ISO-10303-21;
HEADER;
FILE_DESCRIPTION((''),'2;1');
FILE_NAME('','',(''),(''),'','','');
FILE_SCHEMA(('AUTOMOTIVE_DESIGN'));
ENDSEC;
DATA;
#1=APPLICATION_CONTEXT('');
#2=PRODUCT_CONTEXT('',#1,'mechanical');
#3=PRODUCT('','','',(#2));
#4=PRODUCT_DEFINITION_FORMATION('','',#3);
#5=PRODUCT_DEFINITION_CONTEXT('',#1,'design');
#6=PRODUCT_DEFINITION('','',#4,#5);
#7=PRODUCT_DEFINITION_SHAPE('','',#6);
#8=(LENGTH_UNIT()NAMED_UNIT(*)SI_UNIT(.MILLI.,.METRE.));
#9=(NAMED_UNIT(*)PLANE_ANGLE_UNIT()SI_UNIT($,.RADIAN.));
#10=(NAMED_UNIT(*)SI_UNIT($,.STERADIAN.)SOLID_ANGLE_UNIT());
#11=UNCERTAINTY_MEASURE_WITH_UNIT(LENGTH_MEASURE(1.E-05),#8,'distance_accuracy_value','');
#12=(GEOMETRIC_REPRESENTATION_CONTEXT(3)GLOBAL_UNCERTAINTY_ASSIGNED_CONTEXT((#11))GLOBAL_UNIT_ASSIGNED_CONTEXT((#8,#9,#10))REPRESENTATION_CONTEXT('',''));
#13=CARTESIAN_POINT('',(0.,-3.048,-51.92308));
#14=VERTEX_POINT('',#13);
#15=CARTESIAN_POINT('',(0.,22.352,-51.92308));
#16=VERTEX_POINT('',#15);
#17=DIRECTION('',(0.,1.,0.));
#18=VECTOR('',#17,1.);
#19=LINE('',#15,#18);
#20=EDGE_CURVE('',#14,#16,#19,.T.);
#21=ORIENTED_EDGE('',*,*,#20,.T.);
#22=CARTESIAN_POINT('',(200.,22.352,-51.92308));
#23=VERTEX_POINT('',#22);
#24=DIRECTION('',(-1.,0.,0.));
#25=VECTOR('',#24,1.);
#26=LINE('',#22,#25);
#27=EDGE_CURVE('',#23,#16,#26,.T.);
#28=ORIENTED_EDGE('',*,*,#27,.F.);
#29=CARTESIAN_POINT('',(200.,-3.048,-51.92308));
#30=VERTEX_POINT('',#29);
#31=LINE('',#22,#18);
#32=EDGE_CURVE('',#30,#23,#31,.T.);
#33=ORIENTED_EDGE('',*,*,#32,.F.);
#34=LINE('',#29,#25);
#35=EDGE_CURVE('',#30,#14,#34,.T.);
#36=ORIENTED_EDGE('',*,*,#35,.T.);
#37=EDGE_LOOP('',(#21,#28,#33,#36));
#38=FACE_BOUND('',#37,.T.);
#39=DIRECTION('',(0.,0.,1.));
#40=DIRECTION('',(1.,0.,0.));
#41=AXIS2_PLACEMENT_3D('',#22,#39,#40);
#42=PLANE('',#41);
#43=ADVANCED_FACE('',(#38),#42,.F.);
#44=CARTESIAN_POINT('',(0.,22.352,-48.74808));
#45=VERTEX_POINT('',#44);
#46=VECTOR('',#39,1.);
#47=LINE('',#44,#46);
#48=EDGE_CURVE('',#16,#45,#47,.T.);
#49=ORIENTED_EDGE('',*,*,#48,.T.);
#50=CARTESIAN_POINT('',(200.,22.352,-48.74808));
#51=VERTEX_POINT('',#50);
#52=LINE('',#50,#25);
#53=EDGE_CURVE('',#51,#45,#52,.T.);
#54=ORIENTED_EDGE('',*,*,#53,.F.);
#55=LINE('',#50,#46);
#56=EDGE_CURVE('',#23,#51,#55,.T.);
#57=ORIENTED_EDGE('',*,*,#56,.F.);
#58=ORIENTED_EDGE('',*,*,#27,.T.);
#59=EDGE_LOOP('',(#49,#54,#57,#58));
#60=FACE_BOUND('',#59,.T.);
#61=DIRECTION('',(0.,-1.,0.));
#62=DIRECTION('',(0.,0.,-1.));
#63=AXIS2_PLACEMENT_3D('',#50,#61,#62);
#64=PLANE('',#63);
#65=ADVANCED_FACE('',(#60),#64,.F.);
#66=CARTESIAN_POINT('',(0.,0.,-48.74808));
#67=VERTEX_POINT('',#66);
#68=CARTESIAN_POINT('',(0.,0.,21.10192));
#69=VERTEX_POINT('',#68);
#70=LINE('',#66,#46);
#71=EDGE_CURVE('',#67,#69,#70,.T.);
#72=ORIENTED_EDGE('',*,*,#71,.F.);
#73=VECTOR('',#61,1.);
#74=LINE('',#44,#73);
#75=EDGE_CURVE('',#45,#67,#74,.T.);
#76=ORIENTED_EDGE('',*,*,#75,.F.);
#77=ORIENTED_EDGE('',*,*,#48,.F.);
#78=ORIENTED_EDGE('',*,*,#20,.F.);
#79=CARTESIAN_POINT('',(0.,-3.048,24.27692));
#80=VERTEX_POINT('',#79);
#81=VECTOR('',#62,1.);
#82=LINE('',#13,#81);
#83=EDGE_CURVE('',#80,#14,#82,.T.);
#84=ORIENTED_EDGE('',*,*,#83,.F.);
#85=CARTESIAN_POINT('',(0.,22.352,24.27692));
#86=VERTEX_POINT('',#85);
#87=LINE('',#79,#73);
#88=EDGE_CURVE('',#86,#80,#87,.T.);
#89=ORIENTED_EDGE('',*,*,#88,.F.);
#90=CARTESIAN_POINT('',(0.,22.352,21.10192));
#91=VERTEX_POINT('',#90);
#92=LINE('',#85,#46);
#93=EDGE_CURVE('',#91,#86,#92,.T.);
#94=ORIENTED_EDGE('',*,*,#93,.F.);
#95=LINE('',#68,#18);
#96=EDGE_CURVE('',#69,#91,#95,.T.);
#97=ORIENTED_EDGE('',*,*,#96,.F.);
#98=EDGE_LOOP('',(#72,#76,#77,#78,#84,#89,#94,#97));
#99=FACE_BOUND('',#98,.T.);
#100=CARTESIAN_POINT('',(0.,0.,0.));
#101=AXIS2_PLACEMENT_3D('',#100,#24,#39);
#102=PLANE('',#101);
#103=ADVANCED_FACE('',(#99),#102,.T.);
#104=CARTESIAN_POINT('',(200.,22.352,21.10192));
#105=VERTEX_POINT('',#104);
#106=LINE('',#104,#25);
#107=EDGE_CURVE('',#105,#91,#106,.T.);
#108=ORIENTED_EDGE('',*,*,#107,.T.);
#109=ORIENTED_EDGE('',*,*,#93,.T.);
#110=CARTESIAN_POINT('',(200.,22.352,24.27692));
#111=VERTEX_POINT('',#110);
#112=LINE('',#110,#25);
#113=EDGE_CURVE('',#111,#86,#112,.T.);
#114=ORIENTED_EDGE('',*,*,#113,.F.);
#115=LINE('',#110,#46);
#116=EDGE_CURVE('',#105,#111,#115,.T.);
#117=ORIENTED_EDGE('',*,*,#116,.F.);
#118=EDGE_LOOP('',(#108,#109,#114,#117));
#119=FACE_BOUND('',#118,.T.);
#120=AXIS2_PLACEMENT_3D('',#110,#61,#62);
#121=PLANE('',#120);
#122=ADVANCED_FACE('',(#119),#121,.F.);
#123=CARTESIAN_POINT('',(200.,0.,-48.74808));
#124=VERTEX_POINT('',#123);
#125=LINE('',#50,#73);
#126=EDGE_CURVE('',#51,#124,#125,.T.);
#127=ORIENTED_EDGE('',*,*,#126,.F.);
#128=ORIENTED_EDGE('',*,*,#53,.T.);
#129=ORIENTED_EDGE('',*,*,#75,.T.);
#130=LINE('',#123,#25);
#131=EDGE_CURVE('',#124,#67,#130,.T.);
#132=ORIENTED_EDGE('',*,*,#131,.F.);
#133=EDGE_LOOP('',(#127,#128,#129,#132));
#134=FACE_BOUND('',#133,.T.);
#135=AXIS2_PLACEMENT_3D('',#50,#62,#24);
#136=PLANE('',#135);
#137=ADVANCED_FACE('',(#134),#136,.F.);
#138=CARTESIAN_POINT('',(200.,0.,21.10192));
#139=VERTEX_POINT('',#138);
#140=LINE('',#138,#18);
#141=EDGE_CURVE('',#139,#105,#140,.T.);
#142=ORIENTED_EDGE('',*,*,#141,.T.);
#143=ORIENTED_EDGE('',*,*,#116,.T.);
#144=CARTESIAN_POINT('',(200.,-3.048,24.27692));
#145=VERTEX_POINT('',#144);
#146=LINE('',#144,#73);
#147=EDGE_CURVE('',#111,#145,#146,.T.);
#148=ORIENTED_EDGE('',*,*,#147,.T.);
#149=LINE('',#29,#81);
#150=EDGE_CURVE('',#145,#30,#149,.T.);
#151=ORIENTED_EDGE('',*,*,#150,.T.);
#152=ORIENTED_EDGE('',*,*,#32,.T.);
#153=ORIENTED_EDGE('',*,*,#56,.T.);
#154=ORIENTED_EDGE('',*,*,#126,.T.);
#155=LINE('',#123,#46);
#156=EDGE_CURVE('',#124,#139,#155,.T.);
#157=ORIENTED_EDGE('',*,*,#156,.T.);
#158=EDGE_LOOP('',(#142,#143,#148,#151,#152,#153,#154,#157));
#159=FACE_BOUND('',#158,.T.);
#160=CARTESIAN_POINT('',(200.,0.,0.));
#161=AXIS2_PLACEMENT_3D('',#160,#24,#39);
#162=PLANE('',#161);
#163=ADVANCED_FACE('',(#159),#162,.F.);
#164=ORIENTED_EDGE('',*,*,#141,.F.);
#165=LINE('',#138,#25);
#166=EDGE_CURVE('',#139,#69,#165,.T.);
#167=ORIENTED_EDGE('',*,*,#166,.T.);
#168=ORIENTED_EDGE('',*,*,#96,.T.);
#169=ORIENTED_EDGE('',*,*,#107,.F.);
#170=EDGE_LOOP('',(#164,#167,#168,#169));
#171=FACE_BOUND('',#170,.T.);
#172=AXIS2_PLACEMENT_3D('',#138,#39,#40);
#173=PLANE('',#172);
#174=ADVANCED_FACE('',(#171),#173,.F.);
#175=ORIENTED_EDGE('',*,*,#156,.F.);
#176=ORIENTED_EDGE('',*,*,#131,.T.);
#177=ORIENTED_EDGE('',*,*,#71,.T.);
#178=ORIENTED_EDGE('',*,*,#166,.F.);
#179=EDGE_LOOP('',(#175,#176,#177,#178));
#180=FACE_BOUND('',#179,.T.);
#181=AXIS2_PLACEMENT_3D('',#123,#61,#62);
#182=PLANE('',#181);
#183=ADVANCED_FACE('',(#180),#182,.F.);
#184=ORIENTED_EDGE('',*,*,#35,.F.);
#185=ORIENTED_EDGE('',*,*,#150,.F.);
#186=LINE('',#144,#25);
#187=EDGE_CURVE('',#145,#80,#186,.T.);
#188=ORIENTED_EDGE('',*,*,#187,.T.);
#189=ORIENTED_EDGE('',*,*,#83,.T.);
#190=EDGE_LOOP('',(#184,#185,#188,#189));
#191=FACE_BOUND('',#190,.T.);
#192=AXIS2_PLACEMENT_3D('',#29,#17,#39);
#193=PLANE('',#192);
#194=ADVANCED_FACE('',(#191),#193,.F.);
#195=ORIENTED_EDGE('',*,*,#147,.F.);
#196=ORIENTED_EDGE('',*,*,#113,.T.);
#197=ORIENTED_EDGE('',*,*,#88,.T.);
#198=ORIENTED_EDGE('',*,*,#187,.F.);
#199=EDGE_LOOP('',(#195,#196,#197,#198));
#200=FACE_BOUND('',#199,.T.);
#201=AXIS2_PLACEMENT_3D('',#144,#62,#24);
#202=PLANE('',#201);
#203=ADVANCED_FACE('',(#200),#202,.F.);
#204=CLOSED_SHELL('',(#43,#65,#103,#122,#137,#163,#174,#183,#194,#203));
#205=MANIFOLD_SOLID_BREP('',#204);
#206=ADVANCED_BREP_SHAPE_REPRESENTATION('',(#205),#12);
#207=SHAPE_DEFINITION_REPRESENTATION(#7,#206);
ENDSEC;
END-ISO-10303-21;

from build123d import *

# Parameters (mm, degrees)
BOSS_EXTRUDE1_DEPTH = 200


with BuildPart() as part:
    # Sketch1 → Boss-Extrude1 (new body)
    with BuildSketch(Plane(origin=(0, 0, 0), x_dir=(0, 0, -1), z_dir=(1, 0, 0))):
        Polygon((48.748079985, 22.352), (48.748079985, 0), (-21.101920015, 0), (-21.101920015, 22.352), (-24.276920015, 22.352), (-24.276920015, -3.048), (51.923079985, -3.048), (51.923079985, 22.352), align=None)
    extrude(amount=BOSS_EXTRUDE1_DEPTH)


solid = part.part
